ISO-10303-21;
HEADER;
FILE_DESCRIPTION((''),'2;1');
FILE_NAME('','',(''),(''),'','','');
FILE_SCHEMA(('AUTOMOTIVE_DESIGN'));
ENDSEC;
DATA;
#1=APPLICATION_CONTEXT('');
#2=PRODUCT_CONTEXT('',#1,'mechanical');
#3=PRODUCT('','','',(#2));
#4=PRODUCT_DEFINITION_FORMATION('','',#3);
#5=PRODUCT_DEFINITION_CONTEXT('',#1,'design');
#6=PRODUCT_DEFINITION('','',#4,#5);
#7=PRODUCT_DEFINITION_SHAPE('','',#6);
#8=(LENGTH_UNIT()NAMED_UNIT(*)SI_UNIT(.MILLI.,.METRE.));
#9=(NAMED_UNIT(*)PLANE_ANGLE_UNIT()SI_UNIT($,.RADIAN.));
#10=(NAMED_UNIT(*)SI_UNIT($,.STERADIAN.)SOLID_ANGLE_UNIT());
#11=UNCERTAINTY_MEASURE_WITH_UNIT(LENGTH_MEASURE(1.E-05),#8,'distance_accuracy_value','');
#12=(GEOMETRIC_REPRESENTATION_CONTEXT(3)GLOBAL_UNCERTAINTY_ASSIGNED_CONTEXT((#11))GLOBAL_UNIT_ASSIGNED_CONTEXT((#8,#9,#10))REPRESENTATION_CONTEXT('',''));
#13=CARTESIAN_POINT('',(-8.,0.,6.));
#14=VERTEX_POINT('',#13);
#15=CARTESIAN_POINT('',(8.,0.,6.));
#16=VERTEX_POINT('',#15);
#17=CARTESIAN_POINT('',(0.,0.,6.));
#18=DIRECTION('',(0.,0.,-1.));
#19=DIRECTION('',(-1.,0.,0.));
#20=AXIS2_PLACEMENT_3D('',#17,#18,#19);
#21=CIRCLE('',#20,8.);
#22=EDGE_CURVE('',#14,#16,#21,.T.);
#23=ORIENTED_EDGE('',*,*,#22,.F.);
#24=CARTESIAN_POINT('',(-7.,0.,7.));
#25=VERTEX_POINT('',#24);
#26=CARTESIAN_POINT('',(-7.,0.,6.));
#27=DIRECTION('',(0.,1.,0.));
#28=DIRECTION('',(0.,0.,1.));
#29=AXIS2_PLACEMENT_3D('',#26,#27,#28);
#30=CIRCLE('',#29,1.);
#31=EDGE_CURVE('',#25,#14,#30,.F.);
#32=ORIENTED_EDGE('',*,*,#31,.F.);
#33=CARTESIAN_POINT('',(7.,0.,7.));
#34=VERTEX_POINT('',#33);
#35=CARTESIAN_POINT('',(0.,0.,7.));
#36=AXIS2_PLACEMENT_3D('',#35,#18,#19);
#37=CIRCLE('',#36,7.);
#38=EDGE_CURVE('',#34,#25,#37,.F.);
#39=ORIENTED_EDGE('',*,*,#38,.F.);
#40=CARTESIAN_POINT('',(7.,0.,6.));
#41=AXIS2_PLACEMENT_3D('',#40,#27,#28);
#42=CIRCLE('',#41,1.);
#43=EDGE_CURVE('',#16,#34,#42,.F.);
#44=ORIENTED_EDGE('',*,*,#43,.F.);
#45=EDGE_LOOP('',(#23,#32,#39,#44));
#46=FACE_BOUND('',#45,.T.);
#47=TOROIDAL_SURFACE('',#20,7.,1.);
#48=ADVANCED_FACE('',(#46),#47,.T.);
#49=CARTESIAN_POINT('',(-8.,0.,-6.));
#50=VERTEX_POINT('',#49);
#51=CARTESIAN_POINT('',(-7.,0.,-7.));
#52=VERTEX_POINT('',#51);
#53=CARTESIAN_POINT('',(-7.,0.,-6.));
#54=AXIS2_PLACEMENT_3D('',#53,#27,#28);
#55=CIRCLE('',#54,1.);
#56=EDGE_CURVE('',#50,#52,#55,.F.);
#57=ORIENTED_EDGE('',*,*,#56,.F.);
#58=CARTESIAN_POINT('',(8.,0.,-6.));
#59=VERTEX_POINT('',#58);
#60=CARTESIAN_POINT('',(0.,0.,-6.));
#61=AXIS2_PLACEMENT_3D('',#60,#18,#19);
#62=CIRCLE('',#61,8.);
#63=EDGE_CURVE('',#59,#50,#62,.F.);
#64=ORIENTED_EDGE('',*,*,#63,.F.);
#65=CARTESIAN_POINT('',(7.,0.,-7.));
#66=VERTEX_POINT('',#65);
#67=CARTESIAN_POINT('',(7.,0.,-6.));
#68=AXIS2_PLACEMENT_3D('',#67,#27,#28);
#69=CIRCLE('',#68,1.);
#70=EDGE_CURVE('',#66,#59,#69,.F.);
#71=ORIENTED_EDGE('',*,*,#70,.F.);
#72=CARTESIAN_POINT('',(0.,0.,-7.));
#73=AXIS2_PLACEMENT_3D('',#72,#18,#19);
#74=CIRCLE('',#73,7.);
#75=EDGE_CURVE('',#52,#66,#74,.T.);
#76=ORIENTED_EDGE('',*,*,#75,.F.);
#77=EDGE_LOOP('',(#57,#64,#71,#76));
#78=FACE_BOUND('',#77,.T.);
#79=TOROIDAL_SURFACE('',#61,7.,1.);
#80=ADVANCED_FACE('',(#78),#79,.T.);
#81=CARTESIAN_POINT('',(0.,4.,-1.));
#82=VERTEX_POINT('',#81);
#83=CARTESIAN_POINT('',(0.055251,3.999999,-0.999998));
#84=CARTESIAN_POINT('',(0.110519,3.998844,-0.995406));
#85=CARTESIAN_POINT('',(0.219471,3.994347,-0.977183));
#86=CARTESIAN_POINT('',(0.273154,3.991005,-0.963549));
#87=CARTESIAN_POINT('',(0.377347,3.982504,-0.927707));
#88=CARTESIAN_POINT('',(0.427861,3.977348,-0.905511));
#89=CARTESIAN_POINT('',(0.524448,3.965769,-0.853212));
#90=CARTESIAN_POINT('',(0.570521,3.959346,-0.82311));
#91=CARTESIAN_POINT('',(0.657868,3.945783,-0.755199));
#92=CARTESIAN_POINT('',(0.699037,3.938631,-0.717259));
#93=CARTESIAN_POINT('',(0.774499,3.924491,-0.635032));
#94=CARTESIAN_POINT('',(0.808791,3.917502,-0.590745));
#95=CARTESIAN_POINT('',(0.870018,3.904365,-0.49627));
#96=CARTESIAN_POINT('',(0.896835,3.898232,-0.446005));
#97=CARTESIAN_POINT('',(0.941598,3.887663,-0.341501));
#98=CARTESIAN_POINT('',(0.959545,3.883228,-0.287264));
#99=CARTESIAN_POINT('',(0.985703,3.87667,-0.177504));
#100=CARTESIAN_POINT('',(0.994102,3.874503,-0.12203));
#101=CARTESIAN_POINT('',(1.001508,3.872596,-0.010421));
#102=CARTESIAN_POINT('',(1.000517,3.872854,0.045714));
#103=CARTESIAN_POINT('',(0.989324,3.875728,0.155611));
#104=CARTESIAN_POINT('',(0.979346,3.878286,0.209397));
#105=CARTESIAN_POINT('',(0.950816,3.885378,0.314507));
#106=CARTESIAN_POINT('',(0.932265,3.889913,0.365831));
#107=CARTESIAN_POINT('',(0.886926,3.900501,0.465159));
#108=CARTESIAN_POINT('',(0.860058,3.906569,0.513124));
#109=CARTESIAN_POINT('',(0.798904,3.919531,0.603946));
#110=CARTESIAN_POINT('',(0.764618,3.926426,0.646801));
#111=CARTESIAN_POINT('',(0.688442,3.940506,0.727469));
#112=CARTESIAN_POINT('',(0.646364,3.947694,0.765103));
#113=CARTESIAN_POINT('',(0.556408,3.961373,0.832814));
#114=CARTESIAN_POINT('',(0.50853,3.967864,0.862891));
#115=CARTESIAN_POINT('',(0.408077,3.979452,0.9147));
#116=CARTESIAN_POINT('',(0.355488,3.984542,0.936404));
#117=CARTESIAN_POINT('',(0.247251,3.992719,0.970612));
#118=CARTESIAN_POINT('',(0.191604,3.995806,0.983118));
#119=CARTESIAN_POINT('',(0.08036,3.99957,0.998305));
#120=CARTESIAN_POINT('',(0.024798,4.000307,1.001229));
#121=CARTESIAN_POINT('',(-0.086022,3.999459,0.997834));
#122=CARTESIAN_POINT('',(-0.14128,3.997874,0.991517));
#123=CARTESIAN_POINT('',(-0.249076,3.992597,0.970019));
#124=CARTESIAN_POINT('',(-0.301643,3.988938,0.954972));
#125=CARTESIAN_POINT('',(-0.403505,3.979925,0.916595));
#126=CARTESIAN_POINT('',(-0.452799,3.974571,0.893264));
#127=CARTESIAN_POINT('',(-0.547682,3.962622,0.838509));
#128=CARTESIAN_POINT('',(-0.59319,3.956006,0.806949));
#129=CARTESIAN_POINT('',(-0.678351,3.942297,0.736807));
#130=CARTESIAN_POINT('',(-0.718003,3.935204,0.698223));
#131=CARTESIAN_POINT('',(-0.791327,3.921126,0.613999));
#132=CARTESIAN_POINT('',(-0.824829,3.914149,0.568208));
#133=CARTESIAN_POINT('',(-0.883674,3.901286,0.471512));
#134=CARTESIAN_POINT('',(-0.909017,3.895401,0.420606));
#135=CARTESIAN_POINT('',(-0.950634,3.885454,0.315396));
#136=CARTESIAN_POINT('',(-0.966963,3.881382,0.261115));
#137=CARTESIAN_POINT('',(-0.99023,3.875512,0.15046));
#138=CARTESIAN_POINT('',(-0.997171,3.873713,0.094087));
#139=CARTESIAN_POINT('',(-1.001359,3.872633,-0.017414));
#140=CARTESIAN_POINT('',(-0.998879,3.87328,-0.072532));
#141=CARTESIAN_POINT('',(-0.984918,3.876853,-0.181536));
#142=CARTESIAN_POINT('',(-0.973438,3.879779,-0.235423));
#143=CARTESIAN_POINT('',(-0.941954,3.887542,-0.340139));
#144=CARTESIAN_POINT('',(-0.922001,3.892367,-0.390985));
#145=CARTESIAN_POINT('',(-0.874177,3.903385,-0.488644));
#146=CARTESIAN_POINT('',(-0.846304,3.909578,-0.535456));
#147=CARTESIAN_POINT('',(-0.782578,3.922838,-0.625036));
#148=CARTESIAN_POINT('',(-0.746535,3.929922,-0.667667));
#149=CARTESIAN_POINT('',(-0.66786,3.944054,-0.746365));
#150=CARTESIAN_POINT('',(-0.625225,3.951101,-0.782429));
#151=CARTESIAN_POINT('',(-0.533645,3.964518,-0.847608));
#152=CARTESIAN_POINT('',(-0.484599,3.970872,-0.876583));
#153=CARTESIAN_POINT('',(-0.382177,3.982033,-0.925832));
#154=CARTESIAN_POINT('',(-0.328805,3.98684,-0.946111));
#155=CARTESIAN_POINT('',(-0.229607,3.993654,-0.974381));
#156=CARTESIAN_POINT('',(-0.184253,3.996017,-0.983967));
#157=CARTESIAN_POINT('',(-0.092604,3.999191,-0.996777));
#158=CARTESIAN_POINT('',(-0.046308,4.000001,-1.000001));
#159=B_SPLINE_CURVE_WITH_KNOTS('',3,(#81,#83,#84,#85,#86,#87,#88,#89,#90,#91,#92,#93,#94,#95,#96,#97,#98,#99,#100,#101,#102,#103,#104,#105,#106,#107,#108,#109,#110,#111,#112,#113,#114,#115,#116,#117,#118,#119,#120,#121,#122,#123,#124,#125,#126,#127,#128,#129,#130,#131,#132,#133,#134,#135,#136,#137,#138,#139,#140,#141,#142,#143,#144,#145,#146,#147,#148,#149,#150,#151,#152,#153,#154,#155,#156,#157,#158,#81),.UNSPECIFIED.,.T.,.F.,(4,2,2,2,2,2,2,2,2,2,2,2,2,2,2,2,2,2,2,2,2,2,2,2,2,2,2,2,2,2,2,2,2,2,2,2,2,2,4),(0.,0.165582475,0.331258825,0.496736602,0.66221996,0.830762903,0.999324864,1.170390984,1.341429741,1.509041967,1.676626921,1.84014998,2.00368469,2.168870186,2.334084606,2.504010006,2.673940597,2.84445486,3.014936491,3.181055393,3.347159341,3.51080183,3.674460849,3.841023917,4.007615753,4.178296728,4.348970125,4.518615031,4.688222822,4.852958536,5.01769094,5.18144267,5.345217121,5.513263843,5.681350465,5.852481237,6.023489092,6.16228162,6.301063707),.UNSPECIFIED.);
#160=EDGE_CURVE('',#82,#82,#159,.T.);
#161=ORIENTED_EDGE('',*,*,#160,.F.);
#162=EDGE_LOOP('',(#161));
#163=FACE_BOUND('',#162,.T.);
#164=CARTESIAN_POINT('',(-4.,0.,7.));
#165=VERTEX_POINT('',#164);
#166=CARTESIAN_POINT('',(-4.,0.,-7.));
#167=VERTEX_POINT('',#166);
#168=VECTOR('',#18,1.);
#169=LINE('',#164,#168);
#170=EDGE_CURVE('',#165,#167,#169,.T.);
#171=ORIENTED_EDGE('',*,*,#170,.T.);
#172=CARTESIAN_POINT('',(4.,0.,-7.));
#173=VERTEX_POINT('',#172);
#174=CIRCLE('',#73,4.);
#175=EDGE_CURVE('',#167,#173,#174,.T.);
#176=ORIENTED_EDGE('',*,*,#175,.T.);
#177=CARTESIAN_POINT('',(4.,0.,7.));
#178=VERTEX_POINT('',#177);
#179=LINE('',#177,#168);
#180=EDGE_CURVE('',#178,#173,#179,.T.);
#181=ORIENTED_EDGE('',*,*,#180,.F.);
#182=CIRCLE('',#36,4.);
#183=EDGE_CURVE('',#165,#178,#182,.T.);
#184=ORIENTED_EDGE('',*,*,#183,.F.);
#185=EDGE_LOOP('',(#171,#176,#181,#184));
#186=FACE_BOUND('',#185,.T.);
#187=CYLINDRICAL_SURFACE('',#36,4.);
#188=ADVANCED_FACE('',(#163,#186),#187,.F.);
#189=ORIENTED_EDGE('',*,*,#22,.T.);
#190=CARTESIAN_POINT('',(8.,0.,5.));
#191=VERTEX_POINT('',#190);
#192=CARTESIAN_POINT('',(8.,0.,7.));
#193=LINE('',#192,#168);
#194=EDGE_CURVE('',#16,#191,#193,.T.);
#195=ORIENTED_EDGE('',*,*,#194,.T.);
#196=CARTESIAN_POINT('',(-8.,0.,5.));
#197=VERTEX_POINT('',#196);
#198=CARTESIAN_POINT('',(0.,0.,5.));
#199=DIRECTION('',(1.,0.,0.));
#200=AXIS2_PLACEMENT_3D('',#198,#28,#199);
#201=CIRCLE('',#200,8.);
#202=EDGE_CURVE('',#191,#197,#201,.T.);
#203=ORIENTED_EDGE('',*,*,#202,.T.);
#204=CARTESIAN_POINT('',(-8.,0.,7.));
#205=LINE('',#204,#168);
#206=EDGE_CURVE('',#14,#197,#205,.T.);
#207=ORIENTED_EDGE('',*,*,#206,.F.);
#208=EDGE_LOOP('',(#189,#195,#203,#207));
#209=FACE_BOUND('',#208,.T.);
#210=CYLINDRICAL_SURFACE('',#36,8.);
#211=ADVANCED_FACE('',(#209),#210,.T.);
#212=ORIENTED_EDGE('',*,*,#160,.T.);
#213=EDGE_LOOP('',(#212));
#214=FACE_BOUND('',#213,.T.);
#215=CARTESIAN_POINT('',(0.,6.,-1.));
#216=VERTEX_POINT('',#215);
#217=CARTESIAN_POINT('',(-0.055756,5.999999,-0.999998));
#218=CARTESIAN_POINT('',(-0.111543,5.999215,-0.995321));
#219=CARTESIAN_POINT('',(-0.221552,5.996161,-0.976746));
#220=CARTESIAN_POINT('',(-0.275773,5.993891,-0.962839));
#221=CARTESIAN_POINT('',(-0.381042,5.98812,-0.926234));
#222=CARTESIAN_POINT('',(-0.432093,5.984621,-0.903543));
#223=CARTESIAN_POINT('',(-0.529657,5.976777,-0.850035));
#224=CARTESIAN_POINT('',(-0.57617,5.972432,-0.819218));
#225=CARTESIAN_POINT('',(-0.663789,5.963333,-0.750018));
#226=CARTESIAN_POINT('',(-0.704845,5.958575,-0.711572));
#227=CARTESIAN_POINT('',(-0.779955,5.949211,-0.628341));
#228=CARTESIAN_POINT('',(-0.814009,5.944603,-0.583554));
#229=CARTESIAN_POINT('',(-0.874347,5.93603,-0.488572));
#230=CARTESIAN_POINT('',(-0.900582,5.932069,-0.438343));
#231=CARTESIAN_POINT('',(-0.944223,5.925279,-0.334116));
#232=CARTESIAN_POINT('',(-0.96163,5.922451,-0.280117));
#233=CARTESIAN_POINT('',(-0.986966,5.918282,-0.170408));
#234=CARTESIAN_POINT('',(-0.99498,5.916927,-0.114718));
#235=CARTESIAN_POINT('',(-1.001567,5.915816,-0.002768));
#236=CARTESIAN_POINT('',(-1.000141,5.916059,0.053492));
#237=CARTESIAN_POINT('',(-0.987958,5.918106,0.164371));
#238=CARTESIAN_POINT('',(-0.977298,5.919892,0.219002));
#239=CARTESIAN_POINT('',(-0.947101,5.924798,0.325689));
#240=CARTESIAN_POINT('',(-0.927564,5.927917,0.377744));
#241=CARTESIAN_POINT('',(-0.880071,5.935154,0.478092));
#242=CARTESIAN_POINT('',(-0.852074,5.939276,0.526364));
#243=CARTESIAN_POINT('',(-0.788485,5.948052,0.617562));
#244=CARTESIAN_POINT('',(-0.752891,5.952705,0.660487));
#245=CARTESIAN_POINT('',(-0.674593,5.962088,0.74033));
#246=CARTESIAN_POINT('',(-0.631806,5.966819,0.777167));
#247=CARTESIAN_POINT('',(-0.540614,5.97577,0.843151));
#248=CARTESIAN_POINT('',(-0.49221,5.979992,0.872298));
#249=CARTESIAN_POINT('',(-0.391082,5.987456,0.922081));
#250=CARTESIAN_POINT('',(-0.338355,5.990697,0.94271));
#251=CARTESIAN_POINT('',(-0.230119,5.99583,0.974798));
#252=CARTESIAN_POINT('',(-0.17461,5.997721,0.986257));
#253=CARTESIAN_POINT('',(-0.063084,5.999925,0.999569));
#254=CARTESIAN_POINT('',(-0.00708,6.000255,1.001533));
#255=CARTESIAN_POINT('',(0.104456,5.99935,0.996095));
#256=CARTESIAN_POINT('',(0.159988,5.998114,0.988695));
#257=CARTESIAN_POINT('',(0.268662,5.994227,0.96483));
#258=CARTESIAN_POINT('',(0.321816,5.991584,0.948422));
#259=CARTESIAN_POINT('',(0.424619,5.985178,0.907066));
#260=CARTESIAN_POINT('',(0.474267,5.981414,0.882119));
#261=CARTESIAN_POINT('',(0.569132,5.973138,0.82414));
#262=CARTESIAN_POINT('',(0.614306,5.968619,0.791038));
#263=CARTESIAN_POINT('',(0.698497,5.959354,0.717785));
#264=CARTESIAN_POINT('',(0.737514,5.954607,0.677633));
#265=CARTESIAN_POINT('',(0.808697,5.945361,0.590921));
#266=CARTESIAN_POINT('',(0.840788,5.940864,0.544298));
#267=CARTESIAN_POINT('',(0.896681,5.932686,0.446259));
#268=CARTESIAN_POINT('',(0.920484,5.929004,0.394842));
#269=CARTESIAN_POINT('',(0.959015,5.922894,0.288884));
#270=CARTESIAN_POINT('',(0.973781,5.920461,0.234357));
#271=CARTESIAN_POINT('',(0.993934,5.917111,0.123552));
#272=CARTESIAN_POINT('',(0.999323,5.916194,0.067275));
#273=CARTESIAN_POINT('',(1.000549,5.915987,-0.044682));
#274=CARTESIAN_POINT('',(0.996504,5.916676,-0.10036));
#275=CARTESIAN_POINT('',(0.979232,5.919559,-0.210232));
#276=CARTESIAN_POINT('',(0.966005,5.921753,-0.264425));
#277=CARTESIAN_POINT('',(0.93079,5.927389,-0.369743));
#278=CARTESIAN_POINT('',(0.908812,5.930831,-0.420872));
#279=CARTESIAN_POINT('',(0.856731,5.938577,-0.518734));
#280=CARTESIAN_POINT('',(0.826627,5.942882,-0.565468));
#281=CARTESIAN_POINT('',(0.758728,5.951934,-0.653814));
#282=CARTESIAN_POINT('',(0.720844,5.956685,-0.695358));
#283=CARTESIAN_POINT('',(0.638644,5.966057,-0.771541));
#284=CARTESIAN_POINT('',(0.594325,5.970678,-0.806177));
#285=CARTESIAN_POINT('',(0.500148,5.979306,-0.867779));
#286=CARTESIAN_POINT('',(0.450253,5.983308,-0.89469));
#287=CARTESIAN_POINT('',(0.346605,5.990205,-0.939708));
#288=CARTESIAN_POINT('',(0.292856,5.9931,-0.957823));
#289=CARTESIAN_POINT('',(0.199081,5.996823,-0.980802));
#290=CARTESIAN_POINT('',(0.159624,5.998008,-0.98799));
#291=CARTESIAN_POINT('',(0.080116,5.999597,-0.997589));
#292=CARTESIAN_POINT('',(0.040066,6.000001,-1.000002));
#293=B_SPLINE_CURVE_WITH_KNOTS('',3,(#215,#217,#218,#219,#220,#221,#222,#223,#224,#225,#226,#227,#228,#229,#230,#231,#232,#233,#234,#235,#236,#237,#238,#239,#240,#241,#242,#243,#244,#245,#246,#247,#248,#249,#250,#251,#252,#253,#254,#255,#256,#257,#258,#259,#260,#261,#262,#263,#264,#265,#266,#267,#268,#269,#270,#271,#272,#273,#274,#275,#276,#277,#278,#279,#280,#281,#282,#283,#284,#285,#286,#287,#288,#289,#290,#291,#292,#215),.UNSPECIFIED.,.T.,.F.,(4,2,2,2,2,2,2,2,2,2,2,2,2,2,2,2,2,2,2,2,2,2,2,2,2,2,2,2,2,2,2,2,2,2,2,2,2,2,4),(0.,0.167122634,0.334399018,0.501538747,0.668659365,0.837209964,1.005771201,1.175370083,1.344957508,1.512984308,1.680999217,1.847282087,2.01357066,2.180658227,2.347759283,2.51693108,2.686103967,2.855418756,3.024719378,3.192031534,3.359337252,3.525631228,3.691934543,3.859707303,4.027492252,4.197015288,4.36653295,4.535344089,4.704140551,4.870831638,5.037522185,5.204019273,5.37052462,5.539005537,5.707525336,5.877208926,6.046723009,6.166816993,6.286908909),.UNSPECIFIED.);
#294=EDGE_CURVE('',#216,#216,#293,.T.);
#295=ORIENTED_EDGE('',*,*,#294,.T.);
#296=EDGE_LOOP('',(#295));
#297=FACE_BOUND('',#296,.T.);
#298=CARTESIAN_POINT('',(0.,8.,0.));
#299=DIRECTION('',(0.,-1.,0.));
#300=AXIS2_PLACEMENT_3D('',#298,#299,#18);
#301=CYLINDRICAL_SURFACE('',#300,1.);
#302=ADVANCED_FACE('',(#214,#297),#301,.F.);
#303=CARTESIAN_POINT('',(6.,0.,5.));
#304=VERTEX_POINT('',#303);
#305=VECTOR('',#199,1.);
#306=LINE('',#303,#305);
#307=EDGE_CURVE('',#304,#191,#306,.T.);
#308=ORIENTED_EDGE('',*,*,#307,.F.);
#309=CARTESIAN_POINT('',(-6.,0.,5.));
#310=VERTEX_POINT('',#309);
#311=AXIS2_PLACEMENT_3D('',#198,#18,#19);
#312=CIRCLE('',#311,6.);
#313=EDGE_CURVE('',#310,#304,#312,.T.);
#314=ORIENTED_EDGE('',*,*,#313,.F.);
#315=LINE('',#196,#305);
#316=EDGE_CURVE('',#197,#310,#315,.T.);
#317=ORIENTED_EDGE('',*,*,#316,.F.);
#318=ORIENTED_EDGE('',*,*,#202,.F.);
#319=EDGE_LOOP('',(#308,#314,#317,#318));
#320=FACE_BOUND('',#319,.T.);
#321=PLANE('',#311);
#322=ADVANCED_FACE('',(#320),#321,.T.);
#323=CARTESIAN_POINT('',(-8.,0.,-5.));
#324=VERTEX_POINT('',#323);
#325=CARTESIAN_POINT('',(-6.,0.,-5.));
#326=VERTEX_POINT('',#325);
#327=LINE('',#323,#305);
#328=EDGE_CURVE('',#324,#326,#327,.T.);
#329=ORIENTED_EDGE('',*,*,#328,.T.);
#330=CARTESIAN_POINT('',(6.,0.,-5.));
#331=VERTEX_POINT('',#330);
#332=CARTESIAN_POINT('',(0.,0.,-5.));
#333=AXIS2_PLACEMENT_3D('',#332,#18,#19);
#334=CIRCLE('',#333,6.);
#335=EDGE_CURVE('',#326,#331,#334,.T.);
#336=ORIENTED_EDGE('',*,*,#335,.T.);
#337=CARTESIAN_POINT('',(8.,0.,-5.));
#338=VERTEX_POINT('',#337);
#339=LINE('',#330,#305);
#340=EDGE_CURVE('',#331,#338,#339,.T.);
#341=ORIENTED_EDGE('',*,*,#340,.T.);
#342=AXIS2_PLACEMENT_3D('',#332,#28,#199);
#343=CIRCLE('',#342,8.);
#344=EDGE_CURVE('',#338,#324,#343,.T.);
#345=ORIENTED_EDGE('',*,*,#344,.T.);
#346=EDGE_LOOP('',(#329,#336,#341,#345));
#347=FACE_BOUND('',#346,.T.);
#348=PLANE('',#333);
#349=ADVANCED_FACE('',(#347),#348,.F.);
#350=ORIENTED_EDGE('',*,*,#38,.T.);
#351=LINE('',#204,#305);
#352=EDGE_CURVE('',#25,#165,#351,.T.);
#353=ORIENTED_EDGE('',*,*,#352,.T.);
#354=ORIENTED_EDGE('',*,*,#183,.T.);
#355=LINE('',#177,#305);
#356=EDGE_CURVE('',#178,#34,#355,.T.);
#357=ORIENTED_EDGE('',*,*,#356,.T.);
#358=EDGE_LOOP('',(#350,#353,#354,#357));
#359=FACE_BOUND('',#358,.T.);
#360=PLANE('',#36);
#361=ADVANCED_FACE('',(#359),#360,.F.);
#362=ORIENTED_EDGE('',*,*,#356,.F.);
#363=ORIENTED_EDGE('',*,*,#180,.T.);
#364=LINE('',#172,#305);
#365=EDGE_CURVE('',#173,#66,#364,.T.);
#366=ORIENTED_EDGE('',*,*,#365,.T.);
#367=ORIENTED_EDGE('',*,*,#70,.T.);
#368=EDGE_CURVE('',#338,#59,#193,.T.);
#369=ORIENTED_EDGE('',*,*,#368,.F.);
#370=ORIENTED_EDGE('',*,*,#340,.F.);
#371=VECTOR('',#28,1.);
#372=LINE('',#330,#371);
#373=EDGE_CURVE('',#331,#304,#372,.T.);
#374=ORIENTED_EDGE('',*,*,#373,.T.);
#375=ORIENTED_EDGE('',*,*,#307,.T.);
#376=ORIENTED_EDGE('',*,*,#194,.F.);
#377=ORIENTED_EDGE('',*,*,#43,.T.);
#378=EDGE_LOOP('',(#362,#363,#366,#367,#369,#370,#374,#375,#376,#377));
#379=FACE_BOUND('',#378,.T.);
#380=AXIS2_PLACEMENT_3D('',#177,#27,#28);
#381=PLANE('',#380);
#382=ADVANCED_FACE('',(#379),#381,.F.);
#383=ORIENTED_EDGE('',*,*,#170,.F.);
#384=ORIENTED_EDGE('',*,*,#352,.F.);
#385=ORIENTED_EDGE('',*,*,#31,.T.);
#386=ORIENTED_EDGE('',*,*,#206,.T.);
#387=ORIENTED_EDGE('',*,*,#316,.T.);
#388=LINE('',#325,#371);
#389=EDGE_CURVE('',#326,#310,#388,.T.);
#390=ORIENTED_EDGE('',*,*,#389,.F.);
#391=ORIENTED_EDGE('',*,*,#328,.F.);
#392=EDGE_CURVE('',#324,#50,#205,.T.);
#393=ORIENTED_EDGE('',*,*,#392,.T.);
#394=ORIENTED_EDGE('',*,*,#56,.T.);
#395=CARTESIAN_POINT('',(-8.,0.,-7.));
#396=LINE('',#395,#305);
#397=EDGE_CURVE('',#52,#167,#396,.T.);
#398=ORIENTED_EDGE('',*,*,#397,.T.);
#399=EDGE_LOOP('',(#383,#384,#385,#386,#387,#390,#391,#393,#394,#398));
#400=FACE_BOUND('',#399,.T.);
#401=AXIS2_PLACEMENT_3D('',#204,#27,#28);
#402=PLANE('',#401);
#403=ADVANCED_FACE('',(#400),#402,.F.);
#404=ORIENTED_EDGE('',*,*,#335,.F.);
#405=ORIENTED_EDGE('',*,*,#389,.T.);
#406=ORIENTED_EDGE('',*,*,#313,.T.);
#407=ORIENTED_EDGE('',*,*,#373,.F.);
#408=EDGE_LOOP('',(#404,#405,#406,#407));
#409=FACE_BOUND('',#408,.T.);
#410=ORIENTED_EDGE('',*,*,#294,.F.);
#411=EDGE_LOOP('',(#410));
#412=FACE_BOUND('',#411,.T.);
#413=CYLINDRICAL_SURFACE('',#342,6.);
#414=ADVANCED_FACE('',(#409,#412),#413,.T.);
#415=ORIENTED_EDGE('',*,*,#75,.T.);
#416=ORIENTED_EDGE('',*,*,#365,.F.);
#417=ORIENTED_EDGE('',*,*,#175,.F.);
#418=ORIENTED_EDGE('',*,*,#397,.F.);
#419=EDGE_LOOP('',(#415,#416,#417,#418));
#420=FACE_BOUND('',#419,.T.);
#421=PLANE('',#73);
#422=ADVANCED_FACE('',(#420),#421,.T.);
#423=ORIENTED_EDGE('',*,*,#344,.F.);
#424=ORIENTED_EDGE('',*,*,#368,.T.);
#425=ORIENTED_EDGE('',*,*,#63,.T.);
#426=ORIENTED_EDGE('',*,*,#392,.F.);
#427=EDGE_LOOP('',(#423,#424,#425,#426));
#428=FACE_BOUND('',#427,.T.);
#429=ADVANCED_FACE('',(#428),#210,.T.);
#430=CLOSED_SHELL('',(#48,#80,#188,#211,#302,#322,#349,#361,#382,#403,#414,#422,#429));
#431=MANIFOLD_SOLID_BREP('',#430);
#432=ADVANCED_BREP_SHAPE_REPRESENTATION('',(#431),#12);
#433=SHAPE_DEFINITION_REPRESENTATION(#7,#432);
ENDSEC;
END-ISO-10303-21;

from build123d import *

# Parameters (mm, degrees)
BOSS_EXTRUDE1_DEPTH = 7
CUT_EXTRUDE1_DEPTH  = 5
FILLET1_R           = 1
SKETCH3_R           = 1
CUT_EXTRUDE2_DEPTH  = 14.304134756


with BuildPart() as part:
    # Sketch1 → Boss-Extrude1 (new, symmetric)
    with BuildSketch(Plane.XY):
        with BuildLine():
            Line((-8, 0), (-4, 0))
            ThreePointArc((-4, 0), (0, 4), (4, 0))
            Line((4, 0), (8, 0))
            ThreePointArc((8, 0), (0, 8), (-8, 0))
        make_face()
    extrude(amount=BOSS_EXTRUDE1_DEPTH, both=True)

    # Sketch2 → Cut-Extrude1 (cut, symmetric)
    with BuildSketch(Plane.XY):
        with BuildLine():
            Line((-8, 0), (-6, 0))
            ThreePointArc((-6, 0), (0, 6), (6, 0))
            Line((6, 0), (8, 0))
            ThreePointArc((8, 0), (0, 8), (-8, 0))
        make_face()
    extrude(amount=CUT_EXTRUDE1_DEPTH, both=True, mode=Mode.SUBTRACT)

    # Fillet1
    fillet1_edges = [part.edges().sort_by_distance(p)[0] for p in [
        (0, 8, 7),
        (0, 8, -7),
    ]]
    fillet(fillet1_edges, radius=FILLET1_R)

    # Sketch3 → Cut-Extrude2 (cut, through all)
    with BuildSketch(Plane(origin=(0, 0, 0), x_dir=(1, 0, 0), z_dir=(0, 1, 0))):
        with Locations(Location((0, 0, 0), (0, 0, 90))):
            Circle(SKETCH3_R)
    extrude(amount=CUT_EXTRUDE2_DEPTH, mode=Mode.SUBTRACT)


solid = part.part
